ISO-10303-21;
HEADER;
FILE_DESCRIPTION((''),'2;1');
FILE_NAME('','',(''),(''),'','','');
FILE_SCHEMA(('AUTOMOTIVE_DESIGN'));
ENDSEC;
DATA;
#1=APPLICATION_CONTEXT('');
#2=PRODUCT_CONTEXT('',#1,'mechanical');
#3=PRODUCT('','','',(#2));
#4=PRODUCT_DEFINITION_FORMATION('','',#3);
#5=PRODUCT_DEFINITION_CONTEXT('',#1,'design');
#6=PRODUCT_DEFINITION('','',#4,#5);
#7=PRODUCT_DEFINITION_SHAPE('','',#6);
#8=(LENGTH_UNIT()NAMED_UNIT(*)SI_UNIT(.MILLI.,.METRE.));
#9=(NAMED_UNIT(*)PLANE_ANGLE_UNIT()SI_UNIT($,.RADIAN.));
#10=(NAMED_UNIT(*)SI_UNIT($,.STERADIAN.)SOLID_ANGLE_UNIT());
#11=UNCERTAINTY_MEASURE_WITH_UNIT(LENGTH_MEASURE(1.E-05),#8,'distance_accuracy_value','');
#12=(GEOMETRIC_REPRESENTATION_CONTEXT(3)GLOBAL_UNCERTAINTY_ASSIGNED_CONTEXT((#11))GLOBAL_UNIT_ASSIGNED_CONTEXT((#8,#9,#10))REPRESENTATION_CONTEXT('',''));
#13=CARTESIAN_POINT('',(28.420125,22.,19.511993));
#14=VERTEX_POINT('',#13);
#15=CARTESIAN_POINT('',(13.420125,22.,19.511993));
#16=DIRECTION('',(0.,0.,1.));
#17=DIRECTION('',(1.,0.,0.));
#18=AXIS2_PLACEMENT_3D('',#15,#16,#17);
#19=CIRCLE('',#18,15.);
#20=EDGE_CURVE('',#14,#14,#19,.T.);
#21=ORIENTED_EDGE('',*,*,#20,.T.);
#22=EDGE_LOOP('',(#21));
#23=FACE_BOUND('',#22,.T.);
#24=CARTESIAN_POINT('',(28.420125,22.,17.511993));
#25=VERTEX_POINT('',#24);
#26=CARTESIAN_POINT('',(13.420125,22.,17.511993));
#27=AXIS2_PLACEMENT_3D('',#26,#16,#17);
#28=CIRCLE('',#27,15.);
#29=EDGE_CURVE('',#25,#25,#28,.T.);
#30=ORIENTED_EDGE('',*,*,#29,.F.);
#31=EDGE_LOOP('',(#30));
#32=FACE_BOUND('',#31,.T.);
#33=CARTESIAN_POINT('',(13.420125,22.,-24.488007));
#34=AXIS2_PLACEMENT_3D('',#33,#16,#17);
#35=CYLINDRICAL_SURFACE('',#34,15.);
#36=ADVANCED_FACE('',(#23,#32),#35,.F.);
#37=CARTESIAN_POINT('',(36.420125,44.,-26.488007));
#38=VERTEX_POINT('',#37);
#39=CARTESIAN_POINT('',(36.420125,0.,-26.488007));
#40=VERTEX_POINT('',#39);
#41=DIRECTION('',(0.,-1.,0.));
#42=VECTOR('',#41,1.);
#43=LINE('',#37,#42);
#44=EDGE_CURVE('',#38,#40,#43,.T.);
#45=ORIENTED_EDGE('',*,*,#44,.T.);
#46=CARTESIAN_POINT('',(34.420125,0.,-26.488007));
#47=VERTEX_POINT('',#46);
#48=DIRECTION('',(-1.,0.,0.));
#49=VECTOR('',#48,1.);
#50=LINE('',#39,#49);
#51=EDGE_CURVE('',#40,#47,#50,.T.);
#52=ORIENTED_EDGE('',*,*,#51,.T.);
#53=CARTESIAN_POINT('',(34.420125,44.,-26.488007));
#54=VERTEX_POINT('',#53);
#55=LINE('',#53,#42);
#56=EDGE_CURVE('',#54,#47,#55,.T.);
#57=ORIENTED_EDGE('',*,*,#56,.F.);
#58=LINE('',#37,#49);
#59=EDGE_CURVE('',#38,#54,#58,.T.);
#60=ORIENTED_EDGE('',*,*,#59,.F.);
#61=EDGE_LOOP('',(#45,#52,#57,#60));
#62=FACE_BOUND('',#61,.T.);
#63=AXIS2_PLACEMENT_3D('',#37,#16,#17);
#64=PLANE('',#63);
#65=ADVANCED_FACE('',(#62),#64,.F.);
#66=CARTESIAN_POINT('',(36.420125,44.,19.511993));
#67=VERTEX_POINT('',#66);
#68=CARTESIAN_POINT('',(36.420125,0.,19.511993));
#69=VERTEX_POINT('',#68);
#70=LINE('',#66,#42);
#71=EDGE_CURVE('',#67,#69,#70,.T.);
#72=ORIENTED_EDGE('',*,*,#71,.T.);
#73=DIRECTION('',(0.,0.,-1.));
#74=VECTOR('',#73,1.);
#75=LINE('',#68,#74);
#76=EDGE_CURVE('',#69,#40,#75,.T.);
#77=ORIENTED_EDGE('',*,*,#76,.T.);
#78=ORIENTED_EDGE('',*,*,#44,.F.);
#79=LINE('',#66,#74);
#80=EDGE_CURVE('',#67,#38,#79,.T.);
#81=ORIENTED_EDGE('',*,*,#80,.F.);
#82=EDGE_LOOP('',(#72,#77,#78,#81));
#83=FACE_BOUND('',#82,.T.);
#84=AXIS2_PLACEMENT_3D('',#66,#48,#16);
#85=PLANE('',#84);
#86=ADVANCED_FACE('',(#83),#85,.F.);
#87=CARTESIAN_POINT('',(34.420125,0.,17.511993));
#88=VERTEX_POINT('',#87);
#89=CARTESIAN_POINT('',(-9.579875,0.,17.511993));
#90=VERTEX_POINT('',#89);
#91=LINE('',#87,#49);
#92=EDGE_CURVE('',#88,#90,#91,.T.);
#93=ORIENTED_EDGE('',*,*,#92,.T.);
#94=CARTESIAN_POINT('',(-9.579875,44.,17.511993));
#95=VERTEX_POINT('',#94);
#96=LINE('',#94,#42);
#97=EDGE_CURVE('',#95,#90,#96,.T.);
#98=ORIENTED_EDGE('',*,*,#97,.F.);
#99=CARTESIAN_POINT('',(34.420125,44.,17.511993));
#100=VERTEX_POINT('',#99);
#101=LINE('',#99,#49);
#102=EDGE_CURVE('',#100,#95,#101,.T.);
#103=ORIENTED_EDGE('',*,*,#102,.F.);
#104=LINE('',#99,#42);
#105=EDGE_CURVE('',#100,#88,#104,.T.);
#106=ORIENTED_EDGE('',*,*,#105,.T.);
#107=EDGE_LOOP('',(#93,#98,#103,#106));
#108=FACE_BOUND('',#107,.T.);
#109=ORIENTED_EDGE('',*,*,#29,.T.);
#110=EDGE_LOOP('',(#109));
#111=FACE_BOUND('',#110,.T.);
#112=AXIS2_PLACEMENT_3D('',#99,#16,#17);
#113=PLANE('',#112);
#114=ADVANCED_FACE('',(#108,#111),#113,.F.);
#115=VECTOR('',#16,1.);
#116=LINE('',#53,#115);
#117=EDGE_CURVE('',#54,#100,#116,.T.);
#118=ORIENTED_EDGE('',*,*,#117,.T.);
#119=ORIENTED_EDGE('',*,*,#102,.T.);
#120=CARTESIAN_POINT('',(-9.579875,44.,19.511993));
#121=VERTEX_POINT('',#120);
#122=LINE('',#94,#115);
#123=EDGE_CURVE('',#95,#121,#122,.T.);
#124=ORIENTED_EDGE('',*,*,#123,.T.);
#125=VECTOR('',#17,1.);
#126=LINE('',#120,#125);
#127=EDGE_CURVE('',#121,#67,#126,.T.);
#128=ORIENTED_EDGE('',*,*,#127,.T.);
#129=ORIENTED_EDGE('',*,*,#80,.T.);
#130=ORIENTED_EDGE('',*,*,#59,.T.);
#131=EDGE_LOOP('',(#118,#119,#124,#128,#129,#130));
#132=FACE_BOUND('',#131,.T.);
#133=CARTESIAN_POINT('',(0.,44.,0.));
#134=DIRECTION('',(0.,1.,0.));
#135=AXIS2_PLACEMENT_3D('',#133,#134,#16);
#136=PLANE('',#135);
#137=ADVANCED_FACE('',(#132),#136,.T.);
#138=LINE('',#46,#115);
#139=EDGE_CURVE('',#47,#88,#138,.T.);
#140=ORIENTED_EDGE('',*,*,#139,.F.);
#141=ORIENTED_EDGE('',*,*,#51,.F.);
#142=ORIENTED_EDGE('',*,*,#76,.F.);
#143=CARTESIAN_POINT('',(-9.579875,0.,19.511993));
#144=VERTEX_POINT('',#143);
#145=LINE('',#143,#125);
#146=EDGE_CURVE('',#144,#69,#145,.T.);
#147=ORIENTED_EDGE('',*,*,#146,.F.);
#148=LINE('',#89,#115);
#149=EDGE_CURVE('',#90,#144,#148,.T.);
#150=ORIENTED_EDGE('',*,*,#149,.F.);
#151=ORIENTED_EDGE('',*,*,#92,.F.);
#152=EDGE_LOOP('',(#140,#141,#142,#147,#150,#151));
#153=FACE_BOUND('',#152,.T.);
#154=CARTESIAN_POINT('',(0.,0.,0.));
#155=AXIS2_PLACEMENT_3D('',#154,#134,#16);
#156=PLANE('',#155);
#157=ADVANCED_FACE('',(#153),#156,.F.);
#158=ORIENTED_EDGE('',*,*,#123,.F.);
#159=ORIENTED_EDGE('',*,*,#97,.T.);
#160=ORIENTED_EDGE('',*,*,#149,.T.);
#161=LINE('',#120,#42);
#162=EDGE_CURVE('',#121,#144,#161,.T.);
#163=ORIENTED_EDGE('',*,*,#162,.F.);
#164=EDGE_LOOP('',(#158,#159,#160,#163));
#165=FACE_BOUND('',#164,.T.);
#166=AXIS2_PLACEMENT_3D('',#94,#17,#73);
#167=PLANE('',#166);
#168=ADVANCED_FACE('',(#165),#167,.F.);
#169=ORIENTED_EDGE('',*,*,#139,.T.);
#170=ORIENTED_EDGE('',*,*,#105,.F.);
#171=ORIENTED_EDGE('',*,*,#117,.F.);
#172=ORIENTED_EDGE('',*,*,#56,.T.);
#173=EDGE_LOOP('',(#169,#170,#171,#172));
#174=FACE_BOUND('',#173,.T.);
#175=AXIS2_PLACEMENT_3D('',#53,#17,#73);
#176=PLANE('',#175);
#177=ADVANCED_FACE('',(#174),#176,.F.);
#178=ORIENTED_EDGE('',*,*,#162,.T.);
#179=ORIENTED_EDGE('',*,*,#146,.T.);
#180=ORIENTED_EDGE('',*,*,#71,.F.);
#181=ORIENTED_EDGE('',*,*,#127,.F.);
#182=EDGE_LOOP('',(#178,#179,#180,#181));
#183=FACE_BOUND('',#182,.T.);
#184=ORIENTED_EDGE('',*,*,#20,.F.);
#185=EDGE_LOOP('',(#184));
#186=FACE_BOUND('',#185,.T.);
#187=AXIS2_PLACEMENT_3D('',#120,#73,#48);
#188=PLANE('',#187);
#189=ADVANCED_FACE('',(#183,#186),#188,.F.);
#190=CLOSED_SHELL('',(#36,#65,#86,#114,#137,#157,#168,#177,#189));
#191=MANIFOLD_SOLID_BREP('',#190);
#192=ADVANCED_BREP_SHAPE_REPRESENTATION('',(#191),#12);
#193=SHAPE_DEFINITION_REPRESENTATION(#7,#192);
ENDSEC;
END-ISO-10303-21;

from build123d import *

# Parameters (mm, degrees)
BOSS_EXTRUDE1_DEPTH = 44
CUT_EXTRUDE1_DEPTH  = 44


with BuildPart() as part:
    # Sketch1 → Boss-Extrude1 (new body)
    with BuildSketch(Plane(origin=(0, 0, 0), x_dir=(1, 0, 0), z_dir=(0, 1, 0))):
        Polygon((-9.579875479, -19.511993177), (36.420124521, -19.511993177), (36.420124521, 26.488006823), (34.420124521, 26.488006823), (34.420124521, -17.511993177), (-9.579875479, -17.511993177), align=None)
    extrude(amount=BOSS_EXTRUDE1_DEPTH)

    # Sketch2 → Cut-Extrude1 (cut)
    with BuildSketch(Plane.XY.offset(19.511993177)):
        with BuildLine():
            ThreePointArc((28.420124521, 22), (13.420124521, 37), (-1.579875479, 22))
            Line((-1.579875479, 22), (28.420124521, 22))
        make_face()
        with BuildLine():
            Line((28.420124521, 22), (-1.579875479, 22))
            ThreePointArc((-1.579875479, 22), (13.420124521, 7), (28.420124521, 22))
        make_face()
    extrude(amount=-CUT_EXTRUDE1_DEPTH, mode=Mode.SUBTRACT)


solid = part.part
